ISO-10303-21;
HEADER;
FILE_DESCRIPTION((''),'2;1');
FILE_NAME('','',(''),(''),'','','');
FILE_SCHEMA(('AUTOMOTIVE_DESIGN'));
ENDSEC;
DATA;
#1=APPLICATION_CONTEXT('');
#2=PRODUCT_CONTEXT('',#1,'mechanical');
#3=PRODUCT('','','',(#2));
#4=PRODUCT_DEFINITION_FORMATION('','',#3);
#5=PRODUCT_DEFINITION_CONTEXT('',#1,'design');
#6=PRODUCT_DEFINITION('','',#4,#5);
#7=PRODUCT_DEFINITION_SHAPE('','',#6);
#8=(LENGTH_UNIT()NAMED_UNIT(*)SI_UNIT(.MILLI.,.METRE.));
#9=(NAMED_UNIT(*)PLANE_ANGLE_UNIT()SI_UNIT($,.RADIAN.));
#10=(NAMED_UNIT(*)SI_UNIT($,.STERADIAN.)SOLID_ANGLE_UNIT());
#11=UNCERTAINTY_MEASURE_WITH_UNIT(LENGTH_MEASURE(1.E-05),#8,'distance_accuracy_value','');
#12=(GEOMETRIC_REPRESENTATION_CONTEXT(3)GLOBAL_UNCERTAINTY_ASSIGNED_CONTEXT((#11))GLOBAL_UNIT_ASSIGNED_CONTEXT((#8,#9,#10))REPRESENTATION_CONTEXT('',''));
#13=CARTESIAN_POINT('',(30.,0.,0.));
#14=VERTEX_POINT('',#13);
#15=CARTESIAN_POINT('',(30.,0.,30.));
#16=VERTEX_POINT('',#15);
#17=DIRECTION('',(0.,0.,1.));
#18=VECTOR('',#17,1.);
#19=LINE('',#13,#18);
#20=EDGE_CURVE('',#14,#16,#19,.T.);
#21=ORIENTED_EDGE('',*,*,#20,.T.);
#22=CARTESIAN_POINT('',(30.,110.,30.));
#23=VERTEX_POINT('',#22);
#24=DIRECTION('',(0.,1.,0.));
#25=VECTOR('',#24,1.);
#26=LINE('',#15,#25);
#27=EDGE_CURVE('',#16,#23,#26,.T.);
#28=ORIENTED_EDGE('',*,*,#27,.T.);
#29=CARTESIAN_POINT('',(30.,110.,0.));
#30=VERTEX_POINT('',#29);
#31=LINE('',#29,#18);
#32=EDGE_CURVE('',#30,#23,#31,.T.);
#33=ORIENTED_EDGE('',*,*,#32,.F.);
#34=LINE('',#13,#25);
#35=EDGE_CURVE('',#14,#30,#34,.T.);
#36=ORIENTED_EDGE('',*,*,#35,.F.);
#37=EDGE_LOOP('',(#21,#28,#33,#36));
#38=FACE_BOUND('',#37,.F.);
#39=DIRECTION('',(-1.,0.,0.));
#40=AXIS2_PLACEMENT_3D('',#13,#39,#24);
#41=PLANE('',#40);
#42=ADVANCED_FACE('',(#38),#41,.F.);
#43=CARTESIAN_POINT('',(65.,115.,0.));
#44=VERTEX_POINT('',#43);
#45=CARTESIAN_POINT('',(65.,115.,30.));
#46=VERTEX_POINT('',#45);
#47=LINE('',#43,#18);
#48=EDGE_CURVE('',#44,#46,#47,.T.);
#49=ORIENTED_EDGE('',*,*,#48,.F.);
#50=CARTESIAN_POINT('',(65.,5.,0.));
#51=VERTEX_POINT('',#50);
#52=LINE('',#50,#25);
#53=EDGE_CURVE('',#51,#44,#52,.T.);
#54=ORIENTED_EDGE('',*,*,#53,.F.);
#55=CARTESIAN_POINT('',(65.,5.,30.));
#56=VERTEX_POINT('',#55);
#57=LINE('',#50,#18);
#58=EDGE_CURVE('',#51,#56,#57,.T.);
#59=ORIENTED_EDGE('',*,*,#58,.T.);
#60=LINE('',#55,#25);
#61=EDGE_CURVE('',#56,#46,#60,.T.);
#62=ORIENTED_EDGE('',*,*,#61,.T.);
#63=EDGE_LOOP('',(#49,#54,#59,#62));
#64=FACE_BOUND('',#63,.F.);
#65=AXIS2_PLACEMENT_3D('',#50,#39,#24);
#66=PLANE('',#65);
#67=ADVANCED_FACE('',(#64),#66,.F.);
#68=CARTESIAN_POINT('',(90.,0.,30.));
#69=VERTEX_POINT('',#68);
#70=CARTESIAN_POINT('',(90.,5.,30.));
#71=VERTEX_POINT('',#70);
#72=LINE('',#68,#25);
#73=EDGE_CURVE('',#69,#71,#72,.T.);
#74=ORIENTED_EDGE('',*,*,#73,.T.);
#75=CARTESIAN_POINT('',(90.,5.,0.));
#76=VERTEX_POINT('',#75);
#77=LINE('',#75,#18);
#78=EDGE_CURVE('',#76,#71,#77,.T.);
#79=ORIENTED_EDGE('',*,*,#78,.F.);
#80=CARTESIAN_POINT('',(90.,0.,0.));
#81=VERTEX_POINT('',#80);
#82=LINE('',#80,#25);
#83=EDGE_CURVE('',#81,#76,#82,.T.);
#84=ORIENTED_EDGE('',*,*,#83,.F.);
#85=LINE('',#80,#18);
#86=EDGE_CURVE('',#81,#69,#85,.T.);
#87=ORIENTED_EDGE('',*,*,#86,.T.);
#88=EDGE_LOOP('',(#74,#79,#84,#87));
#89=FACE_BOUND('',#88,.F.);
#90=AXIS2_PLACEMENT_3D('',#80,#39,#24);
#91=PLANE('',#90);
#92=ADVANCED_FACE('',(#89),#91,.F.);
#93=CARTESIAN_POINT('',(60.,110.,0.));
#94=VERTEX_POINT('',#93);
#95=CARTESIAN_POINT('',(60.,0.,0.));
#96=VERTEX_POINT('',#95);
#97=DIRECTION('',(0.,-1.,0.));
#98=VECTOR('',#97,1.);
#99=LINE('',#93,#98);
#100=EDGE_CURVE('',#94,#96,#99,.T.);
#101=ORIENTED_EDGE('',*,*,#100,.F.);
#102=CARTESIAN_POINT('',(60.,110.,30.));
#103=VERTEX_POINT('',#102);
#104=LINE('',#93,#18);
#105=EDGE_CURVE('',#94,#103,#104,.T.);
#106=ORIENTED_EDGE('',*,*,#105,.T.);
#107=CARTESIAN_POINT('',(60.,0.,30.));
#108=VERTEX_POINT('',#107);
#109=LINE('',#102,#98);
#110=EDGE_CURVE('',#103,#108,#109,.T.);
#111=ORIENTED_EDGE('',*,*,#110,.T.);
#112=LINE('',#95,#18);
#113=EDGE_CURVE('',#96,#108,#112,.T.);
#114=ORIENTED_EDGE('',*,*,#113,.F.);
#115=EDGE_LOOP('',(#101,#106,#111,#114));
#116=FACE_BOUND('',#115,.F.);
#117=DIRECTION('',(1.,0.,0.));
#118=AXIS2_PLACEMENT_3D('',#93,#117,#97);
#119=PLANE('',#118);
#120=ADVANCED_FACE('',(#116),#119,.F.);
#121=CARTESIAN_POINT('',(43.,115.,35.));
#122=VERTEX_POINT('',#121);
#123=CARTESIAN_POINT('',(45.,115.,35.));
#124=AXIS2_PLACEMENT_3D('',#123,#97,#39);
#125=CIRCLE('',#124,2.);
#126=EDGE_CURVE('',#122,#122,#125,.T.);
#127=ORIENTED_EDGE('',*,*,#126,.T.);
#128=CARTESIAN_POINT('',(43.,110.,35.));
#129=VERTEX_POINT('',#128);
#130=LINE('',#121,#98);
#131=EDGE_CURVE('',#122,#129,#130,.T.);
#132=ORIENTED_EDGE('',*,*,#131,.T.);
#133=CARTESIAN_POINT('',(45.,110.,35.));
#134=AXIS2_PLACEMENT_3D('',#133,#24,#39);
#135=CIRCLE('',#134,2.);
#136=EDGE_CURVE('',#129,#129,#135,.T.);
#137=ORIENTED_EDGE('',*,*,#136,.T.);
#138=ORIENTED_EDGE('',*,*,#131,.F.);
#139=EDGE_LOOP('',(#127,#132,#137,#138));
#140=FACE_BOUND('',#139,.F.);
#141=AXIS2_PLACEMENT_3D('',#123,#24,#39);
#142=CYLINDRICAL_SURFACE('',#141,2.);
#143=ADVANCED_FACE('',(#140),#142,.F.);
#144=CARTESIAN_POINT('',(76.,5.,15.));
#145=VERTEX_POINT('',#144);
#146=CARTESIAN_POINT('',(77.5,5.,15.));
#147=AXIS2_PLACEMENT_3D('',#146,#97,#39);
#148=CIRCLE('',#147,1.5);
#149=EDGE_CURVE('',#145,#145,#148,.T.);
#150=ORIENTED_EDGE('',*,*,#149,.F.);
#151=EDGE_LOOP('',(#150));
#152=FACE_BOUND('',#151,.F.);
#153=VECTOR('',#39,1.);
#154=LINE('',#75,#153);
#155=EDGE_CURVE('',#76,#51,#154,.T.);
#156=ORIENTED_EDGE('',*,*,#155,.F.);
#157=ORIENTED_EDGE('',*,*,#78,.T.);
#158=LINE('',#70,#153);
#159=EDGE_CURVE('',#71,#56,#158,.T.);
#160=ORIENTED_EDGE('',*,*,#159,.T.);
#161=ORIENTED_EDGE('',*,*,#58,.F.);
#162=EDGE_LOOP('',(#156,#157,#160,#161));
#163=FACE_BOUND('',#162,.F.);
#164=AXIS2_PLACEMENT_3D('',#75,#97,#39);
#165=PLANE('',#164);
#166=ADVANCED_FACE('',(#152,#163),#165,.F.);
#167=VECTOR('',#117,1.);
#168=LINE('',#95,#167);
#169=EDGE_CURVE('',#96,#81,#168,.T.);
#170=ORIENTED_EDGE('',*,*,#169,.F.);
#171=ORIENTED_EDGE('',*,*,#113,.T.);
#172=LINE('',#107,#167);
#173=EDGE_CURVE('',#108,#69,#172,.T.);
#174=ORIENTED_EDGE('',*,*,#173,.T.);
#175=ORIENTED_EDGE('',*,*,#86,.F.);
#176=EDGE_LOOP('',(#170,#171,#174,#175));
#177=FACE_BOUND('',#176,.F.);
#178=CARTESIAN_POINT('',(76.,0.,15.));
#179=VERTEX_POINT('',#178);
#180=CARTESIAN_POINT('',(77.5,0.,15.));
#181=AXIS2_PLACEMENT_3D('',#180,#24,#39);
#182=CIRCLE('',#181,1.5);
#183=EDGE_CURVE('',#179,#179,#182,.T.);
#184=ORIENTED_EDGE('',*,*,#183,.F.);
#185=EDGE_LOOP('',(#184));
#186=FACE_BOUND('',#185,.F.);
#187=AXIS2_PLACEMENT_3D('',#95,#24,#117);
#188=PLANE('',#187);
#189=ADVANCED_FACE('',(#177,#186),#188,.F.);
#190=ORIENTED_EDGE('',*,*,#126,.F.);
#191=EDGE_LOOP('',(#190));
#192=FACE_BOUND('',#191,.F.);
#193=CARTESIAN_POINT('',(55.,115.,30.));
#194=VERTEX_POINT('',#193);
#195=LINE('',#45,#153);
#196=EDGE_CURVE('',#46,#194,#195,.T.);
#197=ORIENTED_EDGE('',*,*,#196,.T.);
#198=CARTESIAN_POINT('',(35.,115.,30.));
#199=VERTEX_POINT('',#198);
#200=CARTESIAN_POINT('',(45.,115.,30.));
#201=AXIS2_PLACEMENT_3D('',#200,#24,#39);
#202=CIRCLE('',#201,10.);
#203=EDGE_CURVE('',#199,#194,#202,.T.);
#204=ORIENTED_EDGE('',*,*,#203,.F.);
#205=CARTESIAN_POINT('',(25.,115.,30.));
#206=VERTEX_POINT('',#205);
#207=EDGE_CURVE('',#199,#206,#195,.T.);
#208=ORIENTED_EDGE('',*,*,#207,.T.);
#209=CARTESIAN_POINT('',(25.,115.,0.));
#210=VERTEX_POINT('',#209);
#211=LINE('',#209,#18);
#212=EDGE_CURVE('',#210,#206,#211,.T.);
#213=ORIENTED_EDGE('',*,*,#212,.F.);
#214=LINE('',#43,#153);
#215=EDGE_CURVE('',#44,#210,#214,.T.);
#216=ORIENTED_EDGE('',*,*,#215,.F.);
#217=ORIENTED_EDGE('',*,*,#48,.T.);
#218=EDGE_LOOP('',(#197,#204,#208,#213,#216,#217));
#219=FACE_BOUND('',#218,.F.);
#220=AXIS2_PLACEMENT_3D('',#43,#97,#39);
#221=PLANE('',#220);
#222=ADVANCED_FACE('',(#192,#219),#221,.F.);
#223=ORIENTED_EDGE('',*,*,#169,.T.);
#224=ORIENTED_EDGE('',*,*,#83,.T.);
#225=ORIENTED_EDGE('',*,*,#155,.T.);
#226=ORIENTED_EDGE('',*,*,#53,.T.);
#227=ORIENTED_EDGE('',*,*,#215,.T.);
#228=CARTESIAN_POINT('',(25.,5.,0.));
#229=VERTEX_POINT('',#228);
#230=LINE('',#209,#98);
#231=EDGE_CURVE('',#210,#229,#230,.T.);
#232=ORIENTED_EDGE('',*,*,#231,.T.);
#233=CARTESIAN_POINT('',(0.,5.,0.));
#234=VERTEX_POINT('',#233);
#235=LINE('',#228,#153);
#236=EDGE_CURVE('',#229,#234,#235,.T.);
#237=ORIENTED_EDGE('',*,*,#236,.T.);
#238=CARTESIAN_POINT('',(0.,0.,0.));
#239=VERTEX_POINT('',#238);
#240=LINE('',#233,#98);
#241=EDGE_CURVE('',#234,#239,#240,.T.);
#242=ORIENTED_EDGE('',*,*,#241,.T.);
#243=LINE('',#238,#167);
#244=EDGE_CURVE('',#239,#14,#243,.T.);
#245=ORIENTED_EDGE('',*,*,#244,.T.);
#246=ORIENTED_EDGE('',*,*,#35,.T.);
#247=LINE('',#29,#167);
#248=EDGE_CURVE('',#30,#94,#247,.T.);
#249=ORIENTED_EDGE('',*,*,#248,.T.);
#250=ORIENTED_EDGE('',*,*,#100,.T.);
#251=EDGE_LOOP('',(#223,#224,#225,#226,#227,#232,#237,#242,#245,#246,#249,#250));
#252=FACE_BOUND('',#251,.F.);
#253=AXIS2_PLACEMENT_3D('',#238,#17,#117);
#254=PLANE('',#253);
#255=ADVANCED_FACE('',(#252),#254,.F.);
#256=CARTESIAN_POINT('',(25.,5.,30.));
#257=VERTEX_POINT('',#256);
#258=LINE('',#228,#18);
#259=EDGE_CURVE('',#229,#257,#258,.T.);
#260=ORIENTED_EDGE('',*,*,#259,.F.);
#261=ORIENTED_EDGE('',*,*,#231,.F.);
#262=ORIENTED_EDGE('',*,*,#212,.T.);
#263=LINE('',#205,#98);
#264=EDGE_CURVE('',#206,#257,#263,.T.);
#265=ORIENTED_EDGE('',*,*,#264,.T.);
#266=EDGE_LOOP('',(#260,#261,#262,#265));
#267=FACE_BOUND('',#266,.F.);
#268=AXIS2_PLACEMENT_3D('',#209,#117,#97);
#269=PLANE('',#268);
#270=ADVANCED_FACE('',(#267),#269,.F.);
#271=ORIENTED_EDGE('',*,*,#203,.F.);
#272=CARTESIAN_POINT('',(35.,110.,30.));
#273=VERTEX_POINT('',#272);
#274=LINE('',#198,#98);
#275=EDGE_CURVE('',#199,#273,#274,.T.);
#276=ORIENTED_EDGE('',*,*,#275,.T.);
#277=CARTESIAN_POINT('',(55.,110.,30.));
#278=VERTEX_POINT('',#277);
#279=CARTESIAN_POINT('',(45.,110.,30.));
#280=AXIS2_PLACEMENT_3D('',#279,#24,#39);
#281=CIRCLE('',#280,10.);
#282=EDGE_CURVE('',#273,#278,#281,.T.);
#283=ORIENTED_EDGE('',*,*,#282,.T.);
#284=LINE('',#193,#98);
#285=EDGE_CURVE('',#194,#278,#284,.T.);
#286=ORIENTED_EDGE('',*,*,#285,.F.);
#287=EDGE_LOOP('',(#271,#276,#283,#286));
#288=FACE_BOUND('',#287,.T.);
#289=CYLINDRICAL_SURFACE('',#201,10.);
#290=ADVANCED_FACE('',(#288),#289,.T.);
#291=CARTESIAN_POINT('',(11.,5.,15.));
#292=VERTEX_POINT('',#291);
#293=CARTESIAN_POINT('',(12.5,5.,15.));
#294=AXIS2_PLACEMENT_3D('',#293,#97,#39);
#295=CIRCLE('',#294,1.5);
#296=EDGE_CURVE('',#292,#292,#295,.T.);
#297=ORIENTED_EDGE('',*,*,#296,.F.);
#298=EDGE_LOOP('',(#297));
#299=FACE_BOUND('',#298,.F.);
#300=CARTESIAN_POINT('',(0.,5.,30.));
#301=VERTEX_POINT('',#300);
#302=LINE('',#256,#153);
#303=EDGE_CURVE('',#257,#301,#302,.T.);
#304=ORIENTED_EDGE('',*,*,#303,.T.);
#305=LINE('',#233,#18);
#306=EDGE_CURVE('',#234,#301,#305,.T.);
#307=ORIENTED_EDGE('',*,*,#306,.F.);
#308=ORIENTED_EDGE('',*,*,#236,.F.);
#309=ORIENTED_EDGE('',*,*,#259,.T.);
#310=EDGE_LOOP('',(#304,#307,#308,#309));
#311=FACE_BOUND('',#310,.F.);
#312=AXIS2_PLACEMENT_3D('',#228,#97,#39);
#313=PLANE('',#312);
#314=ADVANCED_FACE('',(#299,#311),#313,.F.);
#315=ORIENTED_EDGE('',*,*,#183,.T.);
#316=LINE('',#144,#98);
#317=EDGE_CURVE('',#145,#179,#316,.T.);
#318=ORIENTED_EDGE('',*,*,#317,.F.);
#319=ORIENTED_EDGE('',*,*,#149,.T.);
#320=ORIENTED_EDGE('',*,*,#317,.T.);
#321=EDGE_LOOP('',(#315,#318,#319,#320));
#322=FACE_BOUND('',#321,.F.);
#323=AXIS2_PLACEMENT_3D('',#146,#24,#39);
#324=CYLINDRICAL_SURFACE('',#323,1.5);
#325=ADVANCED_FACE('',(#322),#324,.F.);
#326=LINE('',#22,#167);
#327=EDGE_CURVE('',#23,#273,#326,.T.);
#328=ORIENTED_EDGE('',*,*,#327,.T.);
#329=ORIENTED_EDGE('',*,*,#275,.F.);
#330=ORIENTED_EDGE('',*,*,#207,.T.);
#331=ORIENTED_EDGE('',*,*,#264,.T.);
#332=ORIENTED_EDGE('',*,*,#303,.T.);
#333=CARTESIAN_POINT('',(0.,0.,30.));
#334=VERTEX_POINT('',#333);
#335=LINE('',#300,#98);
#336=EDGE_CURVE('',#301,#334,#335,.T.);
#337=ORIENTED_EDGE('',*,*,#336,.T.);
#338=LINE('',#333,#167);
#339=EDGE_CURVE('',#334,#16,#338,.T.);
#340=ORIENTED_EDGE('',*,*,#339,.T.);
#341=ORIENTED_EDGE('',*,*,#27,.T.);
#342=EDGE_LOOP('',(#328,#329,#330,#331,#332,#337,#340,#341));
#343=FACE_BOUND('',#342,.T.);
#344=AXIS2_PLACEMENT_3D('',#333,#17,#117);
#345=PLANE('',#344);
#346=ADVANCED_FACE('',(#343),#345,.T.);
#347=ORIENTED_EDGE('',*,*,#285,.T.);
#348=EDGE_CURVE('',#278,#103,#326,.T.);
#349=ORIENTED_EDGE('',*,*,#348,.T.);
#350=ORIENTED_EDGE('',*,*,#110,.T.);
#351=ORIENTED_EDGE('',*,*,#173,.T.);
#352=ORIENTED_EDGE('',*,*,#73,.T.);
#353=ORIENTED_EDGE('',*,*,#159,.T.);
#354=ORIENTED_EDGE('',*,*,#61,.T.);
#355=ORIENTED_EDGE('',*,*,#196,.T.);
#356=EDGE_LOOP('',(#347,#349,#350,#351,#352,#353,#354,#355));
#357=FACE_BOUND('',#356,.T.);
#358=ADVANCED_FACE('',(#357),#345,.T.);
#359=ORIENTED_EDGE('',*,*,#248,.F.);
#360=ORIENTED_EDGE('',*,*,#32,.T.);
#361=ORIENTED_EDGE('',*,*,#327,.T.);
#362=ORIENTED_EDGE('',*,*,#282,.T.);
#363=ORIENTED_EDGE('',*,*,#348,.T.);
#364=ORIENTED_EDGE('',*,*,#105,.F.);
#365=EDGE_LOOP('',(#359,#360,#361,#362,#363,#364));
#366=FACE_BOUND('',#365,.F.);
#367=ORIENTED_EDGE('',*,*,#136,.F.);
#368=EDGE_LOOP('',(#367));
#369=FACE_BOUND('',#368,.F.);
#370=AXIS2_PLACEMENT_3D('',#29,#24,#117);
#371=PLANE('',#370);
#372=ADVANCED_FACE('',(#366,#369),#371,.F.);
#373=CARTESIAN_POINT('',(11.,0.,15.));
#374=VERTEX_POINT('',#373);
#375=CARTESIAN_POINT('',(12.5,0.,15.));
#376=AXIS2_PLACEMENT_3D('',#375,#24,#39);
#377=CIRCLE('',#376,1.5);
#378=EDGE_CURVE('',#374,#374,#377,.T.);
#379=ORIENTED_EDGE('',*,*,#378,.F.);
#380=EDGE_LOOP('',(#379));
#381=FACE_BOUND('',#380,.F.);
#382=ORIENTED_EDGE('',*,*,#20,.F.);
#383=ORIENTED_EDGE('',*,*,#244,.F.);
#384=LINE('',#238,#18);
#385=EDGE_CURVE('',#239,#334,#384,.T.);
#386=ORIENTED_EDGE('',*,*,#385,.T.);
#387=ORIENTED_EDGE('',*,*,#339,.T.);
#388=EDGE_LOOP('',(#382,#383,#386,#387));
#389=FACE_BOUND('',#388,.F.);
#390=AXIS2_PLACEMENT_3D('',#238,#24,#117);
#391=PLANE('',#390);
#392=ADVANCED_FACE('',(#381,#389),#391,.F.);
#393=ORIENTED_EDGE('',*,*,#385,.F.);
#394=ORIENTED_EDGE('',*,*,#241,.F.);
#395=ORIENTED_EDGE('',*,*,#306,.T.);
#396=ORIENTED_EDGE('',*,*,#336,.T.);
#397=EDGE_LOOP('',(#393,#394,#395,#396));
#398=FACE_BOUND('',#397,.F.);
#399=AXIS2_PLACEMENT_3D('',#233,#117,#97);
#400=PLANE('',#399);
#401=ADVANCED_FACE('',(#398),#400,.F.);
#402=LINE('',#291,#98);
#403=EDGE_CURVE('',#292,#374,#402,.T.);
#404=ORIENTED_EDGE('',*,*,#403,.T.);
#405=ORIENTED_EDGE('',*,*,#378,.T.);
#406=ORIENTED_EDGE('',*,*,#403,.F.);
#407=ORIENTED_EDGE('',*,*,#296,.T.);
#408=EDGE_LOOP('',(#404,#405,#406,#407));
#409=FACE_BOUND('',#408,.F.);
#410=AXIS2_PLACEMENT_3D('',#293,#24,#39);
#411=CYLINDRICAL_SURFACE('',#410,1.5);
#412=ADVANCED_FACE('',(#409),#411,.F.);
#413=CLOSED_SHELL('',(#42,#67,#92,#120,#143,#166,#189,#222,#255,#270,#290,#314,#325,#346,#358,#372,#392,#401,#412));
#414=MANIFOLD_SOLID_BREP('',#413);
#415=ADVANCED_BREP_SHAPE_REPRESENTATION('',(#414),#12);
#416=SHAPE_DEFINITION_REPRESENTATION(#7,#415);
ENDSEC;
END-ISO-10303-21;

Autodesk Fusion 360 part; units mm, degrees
sketch "Boceto1" plane through (0, 0, 0) normal (0, 0, 1) x (1, 0, 0)
  line L0 (0, 0) -> (30, 0)
  line L1 (30, 0) -> (30, 110)
  line L2 (30, 110) -> (60, 110)
  line L3 (60, 110) -> (60, 0)
  line L4 (60, 0) -> (90, 0)
  line L5 (90, 0) -> (90, 5)
  line L6 (90, 5) -> (65, 5)
  line L7 (65, 5) -> (65, 115)
  line L8 (65, 115) -> (25, 115)
  line L9 (25, 115) -> (25, 5)
  line L10 (25, 5) -> (0, 5)
  line L11 (0, 5) -> (0, 0)
  dimension "d1" = 110
  dimension "d2" = 5
  dimension "d3" = 25
  dimension "d4" = 110
  dimension "d5" = 40
  dimension "d6" = 110
extrude "Extruir1" add sketch "Boceto1" along normal blind 30
sketch "Boceto2" plane through (0, 115, 0) normal (0, 1, 0) x (-1, 0, 0)
  line L0 (-65, 0) -> (-25, 0)
  line L1 (-25, 0) -> (-25, 30)
  line L2 (-25, 30) -> (-65, 30)
  line L3 (-65, 30) -> (-65, 0)
  circle A0 centre (-45, 30) radius 10
extrude "Extruir2" add sketch "Boceto2" against normal blind 5 contours L2 A0 picked at (-42.135, 33.3571)
sketch "Boceto3" plane through (0, 115, 0) normal (0, 1, 0) x (-1, 0, 0)
  line L0 (-65, 0) -> (-25, 0)
  line L1 (-25, 0) -> (-25, 30)
  line L2 (-25, 30) -> (-35, 30)
  arc A0 (-35, 30) -> (-55, 30) centre (-45, 30) ccw
  line L3 (-55, 30) -> (-65, 30)
  line L4 (-65, 30) -> (-65, 0)
  line L5 (-45, 40) -> (-45, 35)
  circle A1 centre (-45, 35) radius 2
  dimension "d11" = 5
  dimension "d12" = 4
extrude "Extruir3" cut sketch "Boceto3" against normal blind 5 contours A1
sketch "Boceto4" plane through (0, 5, 0) normal (0, 1, 0) x (-1, 0, 0)
  line L0 (-25, 0) -> (0, 0)
  line L1 (0, 0) -> (0, 30)
  line L2 (0, 30) -> (-25, 30)
  line L3 (-25, 30) -> (-25, 0)
  line L4 (-25, 30) -> (0, 0)
  line L5 (0, 30) -> (-25, 0)
  line L6 (-65, 0) -> (-90, 30)
  line L7 (-90, 30) -> (-90, 0)
  line L8 (-90, 0) -> (-65, 30)
  circle A0 centre (-77.5, 15) radius 1.5
  circle A1 centre (-12.5, 15) radius 1.5
  dimension "d15" = 3
  dimension "d16" = 3
extrude "Extruir4" cut sketch "Boceto4" against normal blind 5 contours L4 L5 A1 | L4 L5 A1 | L4 L5 A1 | L4 L5 A1 | L6 L8 A0 | L6 L8 A0 | L6 L8 A0 | L6 L8 A0
